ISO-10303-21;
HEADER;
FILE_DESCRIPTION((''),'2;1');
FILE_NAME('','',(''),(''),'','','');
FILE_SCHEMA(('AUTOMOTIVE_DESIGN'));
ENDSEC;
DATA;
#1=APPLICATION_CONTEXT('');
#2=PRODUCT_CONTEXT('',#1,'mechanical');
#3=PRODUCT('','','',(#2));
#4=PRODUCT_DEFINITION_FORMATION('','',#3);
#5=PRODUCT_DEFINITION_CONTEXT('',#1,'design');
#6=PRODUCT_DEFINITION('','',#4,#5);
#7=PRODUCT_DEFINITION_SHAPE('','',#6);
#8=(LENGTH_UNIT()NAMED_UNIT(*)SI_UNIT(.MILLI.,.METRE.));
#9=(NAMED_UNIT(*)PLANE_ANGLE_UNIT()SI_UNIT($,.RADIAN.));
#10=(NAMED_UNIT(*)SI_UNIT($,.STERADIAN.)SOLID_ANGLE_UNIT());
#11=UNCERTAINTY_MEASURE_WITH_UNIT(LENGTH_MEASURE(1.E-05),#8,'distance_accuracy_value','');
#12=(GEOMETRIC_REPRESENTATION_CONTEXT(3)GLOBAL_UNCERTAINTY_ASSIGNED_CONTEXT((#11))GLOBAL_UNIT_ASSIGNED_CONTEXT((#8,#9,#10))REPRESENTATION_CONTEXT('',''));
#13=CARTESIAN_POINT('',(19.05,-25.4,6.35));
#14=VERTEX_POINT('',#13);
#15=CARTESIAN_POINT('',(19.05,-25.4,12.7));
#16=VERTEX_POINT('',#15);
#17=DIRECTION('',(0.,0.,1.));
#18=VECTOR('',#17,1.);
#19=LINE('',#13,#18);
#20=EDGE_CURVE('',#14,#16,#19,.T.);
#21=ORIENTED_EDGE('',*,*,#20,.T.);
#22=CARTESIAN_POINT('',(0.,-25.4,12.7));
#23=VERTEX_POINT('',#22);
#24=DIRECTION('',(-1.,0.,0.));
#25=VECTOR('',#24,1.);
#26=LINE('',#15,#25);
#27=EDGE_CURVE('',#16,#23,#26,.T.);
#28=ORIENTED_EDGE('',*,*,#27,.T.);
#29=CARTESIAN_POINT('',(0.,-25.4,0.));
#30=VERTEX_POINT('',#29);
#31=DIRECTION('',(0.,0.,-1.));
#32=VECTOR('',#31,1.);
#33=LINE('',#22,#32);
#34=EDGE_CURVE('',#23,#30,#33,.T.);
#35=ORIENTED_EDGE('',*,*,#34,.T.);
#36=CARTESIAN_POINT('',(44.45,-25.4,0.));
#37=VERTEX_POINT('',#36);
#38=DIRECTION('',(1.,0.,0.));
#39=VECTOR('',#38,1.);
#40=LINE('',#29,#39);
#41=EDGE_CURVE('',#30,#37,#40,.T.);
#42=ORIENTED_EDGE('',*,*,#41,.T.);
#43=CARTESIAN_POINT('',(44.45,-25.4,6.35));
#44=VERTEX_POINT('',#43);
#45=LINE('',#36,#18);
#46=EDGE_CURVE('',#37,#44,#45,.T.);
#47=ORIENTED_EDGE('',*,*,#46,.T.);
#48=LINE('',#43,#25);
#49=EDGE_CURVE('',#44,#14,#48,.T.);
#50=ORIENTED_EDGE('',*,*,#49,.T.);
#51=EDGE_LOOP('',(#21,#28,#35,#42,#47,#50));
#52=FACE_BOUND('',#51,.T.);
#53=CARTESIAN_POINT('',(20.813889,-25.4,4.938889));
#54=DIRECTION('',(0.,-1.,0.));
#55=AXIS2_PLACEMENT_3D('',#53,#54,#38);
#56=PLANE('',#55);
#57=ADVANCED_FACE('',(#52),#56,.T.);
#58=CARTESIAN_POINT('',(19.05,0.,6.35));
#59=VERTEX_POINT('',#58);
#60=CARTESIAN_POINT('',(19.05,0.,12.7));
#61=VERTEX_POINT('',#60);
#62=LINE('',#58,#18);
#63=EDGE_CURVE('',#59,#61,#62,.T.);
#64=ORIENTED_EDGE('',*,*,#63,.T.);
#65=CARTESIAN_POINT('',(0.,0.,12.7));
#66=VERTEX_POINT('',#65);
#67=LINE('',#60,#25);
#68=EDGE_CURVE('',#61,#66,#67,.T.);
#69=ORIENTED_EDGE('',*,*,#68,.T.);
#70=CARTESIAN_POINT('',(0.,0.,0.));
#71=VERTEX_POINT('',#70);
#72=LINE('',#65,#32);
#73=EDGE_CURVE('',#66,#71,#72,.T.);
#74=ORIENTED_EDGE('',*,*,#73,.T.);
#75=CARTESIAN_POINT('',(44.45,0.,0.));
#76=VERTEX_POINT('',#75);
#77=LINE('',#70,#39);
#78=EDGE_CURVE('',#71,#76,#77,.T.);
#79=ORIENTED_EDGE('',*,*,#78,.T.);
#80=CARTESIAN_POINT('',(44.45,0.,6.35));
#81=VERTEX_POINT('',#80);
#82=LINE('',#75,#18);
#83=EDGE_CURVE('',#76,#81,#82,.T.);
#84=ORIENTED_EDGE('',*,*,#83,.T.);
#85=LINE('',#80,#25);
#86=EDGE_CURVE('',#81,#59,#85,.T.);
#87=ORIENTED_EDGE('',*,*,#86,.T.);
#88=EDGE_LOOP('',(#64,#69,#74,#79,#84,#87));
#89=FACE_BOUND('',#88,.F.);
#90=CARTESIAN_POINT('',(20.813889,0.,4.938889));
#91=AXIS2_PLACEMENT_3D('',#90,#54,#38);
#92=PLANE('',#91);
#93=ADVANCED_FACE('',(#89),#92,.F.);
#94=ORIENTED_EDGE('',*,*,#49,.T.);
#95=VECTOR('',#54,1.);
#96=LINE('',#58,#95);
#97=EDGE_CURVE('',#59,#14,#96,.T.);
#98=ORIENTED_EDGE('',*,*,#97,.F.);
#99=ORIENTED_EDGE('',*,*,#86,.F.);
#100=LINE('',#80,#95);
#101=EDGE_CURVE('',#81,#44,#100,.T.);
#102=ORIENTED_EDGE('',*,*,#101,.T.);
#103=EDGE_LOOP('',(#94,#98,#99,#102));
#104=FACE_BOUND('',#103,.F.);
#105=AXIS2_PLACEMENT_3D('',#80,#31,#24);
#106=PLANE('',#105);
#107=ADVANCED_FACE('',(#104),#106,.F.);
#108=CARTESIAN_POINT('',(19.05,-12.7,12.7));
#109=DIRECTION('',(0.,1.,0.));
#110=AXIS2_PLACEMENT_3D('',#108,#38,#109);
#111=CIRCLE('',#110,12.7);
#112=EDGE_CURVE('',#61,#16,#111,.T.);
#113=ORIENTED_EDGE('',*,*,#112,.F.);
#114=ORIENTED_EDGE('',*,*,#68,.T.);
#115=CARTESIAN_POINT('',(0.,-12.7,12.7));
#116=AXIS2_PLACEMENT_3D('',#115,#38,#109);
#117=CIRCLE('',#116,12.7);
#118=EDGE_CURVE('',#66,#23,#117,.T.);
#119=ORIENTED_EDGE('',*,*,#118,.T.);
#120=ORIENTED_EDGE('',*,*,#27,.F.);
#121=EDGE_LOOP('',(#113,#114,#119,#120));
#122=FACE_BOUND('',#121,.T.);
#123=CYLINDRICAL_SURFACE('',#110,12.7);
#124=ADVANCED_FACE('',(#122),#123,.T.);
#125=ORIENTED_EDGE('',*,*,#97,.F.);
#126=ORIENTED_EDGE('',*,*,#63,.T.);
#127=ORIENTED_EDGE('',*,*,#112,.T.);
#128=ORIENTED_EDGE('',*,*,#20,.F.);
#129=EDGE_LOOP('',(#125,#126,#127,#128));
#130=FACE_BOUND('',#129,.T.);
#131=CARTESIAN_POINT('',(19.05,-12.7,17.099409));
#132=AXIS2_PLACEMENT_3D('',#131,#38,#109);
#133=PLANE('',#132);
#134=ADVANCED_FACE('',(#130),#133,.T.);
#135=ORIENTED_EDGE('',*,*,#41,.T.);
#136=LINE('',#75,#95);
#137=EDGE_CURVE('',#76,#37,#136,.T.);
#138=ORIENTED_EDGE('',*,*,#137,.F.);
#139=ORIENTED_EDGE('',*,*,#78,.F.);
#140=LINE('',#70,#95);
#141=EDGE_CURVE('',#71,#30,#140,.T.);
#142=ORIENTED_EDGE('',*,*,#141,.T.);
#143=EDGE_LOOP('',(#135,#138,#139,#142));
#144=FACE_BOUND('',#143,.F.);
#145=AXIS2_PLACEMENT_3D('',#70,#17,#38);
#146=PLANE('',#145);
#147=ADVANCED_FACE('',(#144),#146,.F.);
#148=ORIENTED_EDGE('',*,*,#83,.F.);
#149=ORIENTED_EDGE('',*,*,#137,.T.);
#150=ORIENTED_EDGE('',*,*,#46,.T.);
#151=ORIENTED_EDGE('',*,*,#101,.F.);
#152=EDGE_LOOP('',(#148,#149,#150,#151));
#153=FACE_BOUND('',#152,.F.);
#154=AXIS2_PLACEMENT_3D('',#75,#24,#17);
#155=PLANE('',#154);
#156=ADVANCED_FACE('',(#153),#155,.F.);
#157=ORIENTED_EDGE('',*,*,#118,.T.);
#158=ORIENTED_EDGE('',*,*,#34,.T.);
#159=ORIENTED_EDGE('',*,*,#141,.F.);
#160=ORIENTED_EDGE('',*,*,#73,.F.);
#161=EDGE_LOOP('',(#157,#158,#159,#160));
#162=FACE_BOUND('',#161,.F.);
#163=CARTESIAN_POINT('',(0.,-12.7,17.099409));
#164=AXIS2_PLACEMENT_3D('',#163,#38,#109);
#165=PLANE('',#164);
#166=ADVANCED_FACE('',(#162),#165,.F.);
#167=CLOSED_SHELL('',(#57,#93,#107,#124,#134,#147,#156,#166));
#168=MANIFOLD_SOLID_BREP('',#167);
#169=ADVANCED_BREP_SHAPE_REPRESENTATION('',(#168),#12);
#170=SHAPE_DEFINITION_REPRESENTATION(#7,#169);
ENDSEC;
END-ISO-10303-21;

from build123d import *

# Parameters (mm, degrees)
F1_DEPTH = 25.4
F3_DEPTH = 19.05


with BuildPart() as f1:
    # F0 (on Front) → F1 (new body)
    with BuildSketch(Plane.XZ):
        Polygon((0, 12.7), (0, 0), (44.45, 0), (44.45, 6.35), (19.05, 6.35), (19.05, 12.7), align=None)
    extrude(amount=F1_DEPTH)

    # F2 (on face) → F3 (join, through all)
    with BuildSketch(Plane.YZ.offset(19.05)):
        with BuildLine():
            Line((-25.4, 12.7), (0, 12.7))
            ThreePointArc((0, 12.7), (-12.7, 25.4), (-25.4, 12.7))
        make_face()
    extrude(amount=-F3_DEPTH)


solid = f1.part
